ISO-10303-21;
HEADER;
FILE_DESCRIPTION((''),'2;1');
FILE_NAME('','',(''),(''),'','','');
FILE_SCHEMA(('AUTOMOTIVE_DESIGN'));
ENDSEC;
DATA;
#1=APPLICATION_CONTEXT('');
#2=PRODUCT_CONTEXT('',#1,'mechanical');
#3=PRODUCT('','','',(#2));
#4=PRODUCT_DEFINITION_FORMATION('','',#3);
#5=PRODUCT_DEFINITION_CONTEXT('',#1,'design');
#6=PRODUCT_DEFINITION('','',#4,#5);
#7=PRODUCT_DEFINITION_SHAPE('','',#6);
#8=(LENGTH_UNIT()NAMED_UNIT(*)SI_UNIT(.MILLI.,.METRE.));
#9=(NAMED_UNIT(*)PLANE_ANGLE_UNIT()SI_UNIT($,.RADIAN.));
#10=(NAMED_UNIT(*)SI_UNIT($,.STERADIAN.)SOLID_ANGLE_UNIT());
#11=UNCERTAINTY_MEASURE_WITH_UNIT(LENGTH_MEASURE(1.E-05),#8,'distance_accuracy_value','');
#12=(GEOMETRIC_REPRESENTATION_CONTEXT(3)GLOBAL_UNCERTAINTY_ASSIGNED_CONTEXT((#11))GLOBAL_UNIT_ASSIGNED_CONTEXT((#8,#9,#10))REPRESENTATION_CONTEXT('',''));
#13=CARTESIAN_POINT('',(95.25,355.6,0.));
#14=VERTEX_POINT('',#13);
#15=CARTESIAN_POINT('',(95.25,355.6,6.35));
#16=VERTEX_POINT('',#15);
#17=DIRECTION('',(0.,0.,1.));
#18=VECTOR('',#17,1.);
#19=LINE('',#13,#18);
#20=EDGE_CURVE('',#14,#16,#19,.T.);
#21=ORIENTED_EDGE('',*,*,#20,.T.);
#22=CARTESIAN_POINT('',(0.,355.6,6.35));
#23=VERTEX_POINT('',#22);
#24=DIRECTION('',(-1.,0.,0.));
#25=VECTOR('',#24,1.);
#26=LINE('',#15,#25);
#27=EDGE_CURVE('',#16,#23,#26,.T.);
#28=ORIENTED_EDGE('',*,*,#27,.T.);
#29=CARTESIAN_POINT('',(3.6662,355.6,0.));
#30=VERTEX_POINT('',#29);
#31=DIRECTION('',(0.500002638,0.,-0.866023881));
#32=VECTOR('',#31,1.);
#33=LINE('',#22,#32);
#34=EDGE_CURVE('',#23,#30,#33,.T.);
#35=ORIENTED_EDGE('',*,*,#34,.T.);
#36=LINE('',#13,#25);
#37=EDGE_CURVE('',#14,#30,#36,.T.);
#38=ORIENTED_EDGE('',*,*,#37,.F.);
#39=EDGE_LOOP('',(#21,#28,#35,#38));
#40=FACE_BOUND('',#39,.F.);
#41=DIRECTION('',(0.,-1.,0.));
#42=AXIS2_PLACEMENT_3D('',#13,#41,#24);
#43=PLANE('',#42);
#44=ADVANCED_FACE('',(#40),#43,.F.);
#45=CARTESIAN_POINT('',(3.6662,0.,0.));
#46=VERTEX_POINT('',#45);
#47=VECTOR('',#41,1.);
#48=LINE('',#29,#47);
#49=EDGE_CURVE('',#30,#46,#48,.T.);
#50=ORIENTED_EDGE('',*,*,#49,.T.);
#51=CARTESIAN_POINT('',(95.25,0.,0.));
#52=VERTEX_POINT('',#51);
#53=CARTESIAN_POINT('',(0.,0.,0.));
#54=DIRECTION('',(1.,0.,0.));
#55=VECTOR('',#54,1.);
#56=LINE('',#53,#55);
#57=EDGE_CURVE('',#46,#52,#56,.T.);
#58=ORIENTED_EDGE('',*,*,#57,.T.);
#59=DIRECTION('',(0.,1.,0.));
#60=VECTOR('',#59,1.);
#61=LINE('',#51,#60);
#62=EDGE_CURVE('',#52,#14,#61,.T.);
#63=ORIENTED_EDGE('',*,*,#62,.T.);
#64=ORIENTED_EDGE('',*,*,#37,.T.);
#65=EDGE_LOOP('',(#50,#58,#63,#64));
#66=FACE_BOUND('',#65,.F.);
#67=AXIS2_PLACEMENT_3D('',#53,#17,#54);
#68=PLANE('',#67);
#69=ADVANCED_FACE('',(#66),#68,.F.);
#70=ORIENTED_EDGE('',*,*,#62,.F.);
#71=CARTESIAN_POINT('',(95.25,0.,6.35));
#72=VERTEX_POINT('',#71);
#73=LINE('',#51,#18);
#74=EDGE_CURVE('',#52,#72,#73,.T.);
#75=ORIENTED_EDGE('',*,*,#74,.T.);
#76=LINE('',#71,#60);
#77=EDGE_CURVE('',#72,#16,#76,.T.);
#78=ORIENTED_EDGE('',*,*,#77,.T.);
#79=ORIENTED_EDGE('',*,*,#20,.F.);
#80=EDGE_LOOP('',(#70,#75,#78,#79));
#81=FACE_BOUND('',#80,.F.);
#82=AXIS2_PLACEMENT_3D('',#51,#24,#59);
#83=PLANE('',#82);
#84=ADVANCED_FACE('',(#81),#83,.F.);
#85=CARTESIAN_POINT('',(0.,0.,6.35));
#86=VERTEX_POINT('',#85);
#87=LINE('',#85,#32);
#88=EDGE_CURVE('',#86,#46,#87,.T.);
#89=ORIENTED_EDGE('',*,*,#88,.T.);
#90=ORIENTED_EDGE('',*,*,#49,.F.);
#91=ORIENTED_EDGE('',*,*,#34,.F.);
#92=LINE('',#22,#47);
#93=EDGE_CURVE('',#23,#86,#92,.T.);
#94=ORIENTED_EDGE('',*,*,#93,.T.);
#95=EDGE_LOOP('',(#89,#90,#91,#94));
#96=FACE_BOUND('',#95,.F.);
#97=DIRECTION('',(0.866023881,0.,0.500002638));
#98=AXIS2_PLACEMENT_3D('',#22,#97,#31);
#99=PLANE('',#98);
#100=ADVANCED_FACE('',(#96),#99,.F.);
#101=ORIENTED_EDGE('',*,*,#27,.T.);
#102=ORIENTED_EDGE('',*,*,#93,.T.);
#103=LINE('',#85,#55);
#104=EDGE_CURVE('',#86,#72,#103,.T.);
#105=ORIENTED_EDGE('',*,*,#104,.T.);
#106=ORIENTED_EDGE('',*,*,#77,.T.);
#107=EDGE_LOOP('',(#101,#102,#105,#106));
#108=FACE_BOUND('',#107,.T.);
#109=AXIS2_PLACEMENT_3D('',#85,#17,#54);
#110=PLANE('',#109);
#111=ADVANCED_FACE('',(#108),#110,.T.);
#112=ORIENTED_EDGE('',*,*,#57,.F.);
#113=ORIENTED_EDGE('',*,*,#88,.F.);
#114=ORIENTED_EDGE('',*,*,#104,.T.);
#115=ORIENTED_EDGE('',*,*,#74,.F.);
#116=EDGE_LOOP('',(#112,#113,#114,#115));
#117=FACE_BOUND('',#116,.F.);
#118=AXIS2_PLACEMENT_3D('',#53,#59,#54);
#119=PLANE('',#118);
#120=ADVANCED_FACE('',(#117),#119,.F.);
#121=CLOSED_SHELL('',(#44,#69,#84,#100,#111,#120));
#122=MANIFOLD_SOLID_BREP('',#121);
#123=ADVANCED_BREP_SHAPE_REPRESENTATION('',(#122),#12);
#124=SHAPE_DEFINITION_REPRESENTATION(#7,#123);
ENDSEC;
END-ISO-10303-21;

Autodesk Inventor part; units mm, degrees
ref_plane "YZ Plane" through (0, 0, 0) normal (1, 0, 0) x (0, 1, 0)
ref_plane "XZ Plane" through (0, 0, 0) normal (0, 1, 0) x (-1, 0, 0)
ref_plane "XY Plane" through (0, 0, 0) normal (0, 0, 1) x (1, 0, 0)
sketch "Sketch1" plane through (0, 0, 0) normal (0, 0, 1) x (1, 0, 0)
  line L0 (0, 0) -> (95.25, 0)
  line L1 (95.25, 0) -> (95.25, 355.6)
  line L2 (95.25, 355.6) -> (0, 355.6)
  line L3 (0, 355.6) -> (0, 0)
  dimension "d0" = 95.25
  dimension "d1" = 355.6
extrude "Extrusion1" add sketch "Sketch1" along normal blind 6.35
sketch "Sketch2" plane through (0, 355.6, 0) normal (0, 1, 0) x (1, 0, 0)
  line L0 (0, -6.35) -> (95.25, -6.35) projected
  line L1 (0, -6.35) -> (3.6662, 0)
  line L2 (0, 0) -> (95.25, 0) projected
  line L3 (0, 0) -> (0, -6.35)
  line L4 (3.6662, 0) -> (0, 0)
  dimension "d4" = 30
extrude "Extrusion2" cut sketch "Sketch2" against normal blind 355.6
properties part number "BA09" material "ABS Plastic"
